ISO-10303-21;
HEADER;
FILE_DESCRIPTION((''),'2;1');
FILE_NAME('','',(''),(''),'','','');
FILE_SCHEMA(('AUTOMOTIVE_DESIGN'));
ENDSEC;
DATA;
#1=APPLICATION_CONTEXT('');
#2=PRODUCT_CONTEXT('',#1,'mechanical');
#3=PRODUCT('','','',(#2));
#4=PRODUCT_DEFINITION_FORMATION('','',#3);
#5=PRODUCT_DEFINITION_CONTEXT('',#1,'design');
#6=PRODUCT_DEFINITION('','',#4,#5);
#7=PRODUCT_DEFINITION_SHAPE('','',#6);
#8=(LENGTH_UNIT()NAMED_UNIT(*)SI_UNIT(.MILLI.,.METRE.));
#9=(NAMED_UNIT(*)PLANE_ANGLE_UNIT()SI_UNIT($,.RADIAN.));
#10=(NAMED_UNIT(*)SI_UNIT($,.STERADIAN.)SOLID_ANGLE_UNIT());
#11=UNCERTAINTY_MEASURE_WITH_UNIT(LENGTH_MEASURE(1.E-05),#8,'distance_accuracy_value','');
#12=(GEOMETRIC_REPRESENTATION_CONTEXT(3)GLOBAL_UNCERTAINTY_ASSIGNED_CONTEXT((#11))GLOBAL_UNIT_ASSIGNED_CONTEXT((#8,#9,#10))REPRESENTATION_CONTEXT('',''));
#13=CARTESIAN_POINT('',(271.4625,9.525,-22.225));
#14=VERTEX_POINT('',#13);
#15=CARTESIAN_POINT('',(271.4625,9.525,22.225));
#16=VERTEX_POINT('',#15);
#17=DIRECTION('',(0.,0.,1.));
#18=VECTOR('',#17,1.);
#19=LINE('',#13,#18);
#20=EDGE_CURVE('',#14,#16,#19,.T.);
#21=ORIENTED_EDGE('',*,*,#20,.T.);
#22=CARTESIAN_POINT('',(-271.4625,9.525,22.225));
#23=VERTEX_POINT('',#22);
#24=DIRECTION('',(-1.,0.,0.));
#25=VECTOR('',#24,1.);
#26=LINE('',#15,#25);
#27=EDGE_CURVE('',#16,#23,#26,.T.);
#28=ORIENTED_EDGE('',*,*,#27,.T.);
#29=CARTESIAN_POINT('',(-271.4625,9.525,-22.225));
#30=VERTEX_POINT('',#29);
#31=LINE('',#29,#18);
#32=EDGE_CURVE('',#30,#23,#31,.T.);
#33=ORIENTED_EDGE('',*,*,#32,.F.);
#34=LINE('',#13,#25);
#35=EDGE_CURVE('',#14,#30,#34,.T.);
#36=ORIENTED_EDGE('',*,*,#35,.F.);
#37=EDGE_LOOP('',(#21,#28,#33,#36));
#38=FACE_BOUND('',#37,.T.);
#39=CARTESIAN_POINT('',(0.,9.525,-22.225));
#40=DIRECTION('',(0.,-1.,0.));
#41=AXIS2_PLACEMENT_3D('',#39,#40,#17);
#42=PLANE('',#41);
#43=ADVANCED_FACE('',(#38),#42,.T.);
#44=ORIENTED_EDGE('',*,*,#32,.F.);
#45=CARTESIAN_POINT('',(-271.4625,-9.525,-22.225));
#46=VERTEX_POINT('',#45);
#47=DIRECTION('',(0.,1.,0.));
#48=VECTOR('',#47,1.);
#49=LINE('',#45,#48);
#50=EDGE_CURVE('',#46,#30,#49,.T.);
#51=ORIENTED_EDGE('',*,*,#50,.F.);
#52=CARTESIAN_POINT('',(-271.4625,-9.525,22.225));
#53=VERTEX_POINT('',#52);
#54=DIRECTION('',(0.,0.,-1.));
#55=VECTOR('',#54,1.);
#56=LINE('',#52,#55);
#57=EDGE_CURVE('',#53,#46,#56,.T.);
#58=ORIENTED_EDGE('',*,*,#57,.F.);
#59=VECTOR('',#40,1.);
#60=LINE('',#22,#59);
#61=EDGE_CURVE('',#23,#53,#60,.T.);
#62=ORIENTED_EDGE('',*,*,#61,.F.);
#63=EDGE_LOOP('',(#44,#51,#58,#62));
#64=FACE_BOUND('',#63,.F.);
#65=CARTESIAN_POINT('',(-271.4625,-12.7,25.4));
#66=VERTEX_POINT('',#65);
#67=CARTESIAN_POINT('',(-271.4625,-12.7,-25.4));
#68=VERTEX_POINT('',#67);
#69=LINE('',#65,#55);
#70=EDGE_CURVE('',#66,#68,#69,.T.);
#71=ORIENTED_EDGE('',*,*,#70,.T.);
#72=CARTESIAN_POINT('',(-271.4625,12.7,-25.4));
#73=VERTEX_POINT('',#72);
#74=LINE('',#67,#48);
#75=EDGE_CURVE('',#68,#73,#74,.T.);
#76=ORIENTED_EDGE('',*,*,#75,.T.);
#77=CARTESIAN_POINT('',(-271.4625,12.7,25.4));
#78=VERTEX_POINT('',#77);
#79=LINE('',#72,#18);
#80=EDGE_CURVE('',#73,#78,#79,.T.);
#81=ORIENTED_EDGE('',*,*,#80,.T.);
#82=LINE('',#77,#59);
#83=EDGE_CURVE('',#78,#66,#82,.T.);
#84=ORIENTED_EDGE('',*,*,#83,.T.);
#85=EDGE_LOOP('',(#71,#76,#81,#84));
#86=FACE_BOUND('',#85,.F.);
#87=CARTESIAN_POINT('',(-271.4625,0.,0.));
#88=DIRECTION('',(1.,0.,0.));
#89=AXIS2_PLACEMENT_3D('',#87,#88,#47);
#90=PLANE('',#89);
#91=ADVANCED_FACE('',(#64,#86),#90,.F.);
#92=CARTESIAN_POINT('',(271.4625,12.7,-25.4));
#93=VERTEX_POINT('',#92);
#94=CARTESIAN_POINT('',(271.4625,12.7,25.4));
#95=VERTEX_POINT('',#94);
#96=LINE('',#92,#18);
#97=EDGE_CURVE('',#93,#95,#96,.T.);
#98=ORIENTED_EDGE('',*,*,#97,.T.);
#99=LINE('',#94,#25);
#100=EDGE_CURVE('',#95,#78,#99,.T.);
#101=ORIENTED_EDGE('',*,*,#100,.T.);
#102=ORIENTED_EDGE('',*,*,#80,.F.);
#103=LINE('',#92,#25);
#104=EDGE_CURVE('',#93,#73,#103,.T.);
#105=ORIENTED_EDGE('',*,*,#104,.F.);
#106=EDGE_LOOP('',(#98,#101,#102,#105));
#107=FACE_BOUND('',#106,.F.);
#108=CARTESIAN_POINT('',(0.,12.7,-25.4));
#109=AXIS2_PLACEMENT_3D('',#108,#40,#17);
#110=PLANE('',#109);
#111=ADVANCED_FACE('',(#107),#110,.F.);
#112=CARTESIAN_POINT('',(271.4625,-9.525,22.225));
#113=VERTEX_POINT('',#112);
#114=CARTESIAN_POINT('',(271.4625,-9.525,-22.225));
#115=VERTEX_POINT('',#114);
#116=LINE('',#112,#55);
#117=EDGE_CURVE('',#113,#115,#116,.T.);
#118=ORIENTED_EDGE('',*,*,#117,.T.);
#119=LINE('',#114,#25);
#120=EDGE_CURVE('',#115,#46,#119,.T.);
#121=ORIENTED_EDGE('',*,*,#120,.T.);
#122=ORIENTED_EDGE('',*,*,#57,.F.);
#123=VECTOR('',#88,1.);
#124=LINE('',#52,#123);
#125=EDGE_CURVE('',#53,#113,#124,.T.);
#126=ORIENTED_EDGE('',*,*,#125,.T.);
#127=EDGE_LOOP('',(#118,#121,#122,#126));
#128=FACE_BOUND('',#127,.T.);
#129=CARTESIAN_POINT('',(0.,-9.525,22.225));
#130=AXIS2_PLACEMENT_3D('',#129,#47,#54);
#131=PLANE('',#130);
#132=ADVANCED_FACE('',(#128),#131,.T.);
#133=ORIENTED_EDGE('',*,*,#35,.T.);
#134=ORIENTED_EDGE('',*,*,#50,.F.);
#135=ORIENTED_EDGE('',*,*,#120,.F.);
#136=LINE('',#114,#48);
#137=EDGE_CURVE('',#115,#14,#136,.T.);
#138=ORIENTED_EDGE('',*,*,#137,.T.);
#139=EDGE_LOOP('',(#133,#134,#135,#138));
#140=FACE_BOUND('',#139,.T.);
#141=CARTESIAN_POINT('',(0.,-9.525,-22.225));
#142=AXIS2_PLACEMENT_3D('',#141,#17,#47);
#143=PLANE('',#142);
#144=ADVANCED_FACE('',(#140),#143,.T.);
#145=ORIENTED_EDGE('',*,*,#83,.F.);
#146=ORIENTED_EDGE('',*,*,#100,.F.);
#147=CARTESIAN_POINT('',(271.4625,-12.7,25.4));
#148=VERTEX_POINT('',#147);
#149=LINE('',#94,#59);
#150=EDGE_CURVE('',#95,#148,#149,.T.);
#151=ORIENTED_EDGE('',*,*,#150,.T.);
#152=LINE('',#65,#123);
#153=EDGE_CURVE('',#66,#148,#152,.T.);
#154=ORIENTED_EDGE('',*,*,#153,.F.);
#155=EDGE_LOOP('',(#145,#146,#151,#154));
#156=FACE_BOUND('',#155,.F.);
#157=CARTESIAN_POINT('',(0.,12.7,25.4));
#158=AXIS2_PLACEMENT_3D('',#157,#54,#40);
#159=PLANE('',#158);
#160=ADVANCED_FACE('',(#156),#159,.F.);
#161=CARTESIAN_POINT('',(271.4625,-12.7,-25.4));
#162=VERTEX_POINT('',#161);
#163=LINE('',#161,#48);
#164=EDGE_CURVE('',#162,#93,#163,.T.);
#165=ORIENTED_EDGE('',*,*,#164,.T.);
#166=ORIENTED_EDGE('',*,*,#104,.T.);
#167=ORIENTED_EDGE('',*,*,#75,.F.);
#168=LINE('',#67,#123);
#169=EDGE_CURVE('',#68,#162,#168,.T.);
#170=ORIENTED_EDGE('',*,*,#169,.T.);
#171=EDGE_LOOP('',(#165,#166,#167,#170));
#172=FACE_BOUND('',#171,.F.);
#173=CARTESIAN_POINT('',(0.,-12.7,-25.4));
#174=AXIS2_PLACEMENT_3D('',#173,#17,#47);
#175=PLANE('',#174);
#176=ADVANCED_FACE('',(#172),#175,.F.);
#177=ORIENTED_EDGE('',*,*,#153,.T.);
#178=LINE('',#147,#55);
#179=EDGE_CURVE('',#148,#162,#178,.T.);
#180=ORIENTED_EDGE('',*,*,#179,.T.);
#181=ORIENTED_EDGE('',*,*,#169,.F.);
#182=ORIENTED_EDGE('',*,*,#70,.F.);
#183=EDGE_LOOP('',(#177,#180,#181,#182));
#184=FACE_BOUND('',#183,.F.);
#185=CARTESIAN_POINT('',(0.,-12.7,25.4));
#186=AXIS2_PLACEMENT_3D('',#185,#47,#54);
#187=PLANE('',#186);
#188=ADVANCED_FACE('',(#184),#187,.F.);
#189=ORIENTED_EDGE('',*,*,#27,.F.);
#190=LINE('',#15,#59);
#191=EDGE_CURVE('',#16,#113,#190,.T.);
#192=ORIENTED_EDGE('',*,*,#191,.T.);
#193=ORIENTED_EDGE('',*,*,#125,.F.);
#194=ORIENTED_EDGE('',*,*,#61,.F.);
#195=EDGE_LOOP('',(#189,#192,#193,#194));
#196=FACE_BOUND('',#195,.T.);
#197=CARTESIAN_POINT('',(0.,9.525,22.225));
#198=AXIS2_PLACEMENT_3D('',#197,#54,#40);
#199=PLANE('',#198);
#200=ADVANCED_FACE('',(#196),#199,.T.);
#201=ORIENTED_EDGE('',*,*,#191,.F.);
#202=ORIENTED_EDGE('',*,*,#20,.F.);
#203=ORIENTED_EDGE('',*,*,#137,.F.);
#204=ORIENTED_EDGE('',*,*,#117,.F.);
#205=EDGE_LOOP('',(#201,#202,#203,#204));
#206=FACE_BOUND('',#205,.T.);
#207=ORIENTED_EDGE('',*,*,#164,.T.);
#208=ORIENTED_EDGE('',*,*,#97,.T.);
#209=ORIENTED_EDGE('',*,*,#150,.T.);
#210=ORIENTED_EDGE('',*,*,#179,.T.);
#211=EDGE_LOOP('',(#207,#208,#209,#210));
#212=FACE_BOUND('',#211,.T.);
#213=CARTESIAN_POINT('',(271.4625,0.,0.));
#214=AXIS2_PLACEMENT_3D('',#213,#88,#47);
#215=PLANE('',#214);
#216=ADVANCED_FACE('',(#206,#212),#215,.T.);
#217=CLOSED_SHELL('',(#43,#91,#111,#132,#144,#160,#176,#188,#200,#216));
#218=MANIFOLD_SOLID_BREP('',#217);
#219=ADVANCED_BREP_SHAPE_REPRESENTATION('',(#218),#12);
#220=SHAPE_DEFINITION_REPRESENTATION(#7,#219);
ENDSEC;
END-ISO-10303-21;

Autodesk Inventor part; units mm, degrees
ref_plane "YZ Plane" through (0, 0, 0) normal (1, 0, 0) x (0, 1, 0)
ref_plane "XZ Plane" through (0, 0, 0) normal (0, 1, 0) x (-1, 0, 0)
ref_plane "XY Plane" through (0, 0, 0) normal (0, 0, 1) x (1, 0, 0)
sketch "Sketch1" plane through (0, 0, 0) normal (1, 0, 0) x (0, 1, 0)
  line L0 (-12.7, 25.4) -> (-12.7, -25.4)
  line L1 (-12.7, -25.4) -> (12.7, -25.4)
  line L2 (12.7, -25.4) -> (12.7, 25.4)
  line L3 (12.7, 25.4) -> (-12.7, 25.4)
  line L4 (-12.7, 25.4) -> (12.7, -25.4) construction
  line L5 (-12.7, -25.4) -> (12.7, 25.4) construction
  line L6 (-9.525, 22.225) -> (-9.525, -22.225)
  line L7 (-9.525, -22.225) -> (9.525, -22.225)
  line L8 (9.525, -22.225) -> (9.525, 22.225)
  line L9 (9.525, 22.225) -> (-9.525, 22.225)
  line L10 (-9.525, 22.225) -> (9.525, -22.225) construction
  line L11 (-9.525, -22.225) -> (9.525, 22.225) construction
  point P0 (0, 0)
  dimension "d0" = 25.4
  dimension "d1" = 50.8
  dimension "d2" = 3.175
  dimension "d3" = 3.175
extrude "Extrusion1" add sketch "Sketch1" along normal mid plane 542.925
equation "\"d0\" = width"
equation "\"d1\" = height"
equation "\"d2\" = wallThickness"
equation "\"d3\" = wallThickness"
equation "\"d4\" = length"
equation "\"width\" = 25.4"
equation "\"height\" = 50.8"
equation "\"length\" = 542.925"
equation "\"wallThickness\" = 3.175"
properties part number "1x2_alumTubing" material "Aluminum 6061"
